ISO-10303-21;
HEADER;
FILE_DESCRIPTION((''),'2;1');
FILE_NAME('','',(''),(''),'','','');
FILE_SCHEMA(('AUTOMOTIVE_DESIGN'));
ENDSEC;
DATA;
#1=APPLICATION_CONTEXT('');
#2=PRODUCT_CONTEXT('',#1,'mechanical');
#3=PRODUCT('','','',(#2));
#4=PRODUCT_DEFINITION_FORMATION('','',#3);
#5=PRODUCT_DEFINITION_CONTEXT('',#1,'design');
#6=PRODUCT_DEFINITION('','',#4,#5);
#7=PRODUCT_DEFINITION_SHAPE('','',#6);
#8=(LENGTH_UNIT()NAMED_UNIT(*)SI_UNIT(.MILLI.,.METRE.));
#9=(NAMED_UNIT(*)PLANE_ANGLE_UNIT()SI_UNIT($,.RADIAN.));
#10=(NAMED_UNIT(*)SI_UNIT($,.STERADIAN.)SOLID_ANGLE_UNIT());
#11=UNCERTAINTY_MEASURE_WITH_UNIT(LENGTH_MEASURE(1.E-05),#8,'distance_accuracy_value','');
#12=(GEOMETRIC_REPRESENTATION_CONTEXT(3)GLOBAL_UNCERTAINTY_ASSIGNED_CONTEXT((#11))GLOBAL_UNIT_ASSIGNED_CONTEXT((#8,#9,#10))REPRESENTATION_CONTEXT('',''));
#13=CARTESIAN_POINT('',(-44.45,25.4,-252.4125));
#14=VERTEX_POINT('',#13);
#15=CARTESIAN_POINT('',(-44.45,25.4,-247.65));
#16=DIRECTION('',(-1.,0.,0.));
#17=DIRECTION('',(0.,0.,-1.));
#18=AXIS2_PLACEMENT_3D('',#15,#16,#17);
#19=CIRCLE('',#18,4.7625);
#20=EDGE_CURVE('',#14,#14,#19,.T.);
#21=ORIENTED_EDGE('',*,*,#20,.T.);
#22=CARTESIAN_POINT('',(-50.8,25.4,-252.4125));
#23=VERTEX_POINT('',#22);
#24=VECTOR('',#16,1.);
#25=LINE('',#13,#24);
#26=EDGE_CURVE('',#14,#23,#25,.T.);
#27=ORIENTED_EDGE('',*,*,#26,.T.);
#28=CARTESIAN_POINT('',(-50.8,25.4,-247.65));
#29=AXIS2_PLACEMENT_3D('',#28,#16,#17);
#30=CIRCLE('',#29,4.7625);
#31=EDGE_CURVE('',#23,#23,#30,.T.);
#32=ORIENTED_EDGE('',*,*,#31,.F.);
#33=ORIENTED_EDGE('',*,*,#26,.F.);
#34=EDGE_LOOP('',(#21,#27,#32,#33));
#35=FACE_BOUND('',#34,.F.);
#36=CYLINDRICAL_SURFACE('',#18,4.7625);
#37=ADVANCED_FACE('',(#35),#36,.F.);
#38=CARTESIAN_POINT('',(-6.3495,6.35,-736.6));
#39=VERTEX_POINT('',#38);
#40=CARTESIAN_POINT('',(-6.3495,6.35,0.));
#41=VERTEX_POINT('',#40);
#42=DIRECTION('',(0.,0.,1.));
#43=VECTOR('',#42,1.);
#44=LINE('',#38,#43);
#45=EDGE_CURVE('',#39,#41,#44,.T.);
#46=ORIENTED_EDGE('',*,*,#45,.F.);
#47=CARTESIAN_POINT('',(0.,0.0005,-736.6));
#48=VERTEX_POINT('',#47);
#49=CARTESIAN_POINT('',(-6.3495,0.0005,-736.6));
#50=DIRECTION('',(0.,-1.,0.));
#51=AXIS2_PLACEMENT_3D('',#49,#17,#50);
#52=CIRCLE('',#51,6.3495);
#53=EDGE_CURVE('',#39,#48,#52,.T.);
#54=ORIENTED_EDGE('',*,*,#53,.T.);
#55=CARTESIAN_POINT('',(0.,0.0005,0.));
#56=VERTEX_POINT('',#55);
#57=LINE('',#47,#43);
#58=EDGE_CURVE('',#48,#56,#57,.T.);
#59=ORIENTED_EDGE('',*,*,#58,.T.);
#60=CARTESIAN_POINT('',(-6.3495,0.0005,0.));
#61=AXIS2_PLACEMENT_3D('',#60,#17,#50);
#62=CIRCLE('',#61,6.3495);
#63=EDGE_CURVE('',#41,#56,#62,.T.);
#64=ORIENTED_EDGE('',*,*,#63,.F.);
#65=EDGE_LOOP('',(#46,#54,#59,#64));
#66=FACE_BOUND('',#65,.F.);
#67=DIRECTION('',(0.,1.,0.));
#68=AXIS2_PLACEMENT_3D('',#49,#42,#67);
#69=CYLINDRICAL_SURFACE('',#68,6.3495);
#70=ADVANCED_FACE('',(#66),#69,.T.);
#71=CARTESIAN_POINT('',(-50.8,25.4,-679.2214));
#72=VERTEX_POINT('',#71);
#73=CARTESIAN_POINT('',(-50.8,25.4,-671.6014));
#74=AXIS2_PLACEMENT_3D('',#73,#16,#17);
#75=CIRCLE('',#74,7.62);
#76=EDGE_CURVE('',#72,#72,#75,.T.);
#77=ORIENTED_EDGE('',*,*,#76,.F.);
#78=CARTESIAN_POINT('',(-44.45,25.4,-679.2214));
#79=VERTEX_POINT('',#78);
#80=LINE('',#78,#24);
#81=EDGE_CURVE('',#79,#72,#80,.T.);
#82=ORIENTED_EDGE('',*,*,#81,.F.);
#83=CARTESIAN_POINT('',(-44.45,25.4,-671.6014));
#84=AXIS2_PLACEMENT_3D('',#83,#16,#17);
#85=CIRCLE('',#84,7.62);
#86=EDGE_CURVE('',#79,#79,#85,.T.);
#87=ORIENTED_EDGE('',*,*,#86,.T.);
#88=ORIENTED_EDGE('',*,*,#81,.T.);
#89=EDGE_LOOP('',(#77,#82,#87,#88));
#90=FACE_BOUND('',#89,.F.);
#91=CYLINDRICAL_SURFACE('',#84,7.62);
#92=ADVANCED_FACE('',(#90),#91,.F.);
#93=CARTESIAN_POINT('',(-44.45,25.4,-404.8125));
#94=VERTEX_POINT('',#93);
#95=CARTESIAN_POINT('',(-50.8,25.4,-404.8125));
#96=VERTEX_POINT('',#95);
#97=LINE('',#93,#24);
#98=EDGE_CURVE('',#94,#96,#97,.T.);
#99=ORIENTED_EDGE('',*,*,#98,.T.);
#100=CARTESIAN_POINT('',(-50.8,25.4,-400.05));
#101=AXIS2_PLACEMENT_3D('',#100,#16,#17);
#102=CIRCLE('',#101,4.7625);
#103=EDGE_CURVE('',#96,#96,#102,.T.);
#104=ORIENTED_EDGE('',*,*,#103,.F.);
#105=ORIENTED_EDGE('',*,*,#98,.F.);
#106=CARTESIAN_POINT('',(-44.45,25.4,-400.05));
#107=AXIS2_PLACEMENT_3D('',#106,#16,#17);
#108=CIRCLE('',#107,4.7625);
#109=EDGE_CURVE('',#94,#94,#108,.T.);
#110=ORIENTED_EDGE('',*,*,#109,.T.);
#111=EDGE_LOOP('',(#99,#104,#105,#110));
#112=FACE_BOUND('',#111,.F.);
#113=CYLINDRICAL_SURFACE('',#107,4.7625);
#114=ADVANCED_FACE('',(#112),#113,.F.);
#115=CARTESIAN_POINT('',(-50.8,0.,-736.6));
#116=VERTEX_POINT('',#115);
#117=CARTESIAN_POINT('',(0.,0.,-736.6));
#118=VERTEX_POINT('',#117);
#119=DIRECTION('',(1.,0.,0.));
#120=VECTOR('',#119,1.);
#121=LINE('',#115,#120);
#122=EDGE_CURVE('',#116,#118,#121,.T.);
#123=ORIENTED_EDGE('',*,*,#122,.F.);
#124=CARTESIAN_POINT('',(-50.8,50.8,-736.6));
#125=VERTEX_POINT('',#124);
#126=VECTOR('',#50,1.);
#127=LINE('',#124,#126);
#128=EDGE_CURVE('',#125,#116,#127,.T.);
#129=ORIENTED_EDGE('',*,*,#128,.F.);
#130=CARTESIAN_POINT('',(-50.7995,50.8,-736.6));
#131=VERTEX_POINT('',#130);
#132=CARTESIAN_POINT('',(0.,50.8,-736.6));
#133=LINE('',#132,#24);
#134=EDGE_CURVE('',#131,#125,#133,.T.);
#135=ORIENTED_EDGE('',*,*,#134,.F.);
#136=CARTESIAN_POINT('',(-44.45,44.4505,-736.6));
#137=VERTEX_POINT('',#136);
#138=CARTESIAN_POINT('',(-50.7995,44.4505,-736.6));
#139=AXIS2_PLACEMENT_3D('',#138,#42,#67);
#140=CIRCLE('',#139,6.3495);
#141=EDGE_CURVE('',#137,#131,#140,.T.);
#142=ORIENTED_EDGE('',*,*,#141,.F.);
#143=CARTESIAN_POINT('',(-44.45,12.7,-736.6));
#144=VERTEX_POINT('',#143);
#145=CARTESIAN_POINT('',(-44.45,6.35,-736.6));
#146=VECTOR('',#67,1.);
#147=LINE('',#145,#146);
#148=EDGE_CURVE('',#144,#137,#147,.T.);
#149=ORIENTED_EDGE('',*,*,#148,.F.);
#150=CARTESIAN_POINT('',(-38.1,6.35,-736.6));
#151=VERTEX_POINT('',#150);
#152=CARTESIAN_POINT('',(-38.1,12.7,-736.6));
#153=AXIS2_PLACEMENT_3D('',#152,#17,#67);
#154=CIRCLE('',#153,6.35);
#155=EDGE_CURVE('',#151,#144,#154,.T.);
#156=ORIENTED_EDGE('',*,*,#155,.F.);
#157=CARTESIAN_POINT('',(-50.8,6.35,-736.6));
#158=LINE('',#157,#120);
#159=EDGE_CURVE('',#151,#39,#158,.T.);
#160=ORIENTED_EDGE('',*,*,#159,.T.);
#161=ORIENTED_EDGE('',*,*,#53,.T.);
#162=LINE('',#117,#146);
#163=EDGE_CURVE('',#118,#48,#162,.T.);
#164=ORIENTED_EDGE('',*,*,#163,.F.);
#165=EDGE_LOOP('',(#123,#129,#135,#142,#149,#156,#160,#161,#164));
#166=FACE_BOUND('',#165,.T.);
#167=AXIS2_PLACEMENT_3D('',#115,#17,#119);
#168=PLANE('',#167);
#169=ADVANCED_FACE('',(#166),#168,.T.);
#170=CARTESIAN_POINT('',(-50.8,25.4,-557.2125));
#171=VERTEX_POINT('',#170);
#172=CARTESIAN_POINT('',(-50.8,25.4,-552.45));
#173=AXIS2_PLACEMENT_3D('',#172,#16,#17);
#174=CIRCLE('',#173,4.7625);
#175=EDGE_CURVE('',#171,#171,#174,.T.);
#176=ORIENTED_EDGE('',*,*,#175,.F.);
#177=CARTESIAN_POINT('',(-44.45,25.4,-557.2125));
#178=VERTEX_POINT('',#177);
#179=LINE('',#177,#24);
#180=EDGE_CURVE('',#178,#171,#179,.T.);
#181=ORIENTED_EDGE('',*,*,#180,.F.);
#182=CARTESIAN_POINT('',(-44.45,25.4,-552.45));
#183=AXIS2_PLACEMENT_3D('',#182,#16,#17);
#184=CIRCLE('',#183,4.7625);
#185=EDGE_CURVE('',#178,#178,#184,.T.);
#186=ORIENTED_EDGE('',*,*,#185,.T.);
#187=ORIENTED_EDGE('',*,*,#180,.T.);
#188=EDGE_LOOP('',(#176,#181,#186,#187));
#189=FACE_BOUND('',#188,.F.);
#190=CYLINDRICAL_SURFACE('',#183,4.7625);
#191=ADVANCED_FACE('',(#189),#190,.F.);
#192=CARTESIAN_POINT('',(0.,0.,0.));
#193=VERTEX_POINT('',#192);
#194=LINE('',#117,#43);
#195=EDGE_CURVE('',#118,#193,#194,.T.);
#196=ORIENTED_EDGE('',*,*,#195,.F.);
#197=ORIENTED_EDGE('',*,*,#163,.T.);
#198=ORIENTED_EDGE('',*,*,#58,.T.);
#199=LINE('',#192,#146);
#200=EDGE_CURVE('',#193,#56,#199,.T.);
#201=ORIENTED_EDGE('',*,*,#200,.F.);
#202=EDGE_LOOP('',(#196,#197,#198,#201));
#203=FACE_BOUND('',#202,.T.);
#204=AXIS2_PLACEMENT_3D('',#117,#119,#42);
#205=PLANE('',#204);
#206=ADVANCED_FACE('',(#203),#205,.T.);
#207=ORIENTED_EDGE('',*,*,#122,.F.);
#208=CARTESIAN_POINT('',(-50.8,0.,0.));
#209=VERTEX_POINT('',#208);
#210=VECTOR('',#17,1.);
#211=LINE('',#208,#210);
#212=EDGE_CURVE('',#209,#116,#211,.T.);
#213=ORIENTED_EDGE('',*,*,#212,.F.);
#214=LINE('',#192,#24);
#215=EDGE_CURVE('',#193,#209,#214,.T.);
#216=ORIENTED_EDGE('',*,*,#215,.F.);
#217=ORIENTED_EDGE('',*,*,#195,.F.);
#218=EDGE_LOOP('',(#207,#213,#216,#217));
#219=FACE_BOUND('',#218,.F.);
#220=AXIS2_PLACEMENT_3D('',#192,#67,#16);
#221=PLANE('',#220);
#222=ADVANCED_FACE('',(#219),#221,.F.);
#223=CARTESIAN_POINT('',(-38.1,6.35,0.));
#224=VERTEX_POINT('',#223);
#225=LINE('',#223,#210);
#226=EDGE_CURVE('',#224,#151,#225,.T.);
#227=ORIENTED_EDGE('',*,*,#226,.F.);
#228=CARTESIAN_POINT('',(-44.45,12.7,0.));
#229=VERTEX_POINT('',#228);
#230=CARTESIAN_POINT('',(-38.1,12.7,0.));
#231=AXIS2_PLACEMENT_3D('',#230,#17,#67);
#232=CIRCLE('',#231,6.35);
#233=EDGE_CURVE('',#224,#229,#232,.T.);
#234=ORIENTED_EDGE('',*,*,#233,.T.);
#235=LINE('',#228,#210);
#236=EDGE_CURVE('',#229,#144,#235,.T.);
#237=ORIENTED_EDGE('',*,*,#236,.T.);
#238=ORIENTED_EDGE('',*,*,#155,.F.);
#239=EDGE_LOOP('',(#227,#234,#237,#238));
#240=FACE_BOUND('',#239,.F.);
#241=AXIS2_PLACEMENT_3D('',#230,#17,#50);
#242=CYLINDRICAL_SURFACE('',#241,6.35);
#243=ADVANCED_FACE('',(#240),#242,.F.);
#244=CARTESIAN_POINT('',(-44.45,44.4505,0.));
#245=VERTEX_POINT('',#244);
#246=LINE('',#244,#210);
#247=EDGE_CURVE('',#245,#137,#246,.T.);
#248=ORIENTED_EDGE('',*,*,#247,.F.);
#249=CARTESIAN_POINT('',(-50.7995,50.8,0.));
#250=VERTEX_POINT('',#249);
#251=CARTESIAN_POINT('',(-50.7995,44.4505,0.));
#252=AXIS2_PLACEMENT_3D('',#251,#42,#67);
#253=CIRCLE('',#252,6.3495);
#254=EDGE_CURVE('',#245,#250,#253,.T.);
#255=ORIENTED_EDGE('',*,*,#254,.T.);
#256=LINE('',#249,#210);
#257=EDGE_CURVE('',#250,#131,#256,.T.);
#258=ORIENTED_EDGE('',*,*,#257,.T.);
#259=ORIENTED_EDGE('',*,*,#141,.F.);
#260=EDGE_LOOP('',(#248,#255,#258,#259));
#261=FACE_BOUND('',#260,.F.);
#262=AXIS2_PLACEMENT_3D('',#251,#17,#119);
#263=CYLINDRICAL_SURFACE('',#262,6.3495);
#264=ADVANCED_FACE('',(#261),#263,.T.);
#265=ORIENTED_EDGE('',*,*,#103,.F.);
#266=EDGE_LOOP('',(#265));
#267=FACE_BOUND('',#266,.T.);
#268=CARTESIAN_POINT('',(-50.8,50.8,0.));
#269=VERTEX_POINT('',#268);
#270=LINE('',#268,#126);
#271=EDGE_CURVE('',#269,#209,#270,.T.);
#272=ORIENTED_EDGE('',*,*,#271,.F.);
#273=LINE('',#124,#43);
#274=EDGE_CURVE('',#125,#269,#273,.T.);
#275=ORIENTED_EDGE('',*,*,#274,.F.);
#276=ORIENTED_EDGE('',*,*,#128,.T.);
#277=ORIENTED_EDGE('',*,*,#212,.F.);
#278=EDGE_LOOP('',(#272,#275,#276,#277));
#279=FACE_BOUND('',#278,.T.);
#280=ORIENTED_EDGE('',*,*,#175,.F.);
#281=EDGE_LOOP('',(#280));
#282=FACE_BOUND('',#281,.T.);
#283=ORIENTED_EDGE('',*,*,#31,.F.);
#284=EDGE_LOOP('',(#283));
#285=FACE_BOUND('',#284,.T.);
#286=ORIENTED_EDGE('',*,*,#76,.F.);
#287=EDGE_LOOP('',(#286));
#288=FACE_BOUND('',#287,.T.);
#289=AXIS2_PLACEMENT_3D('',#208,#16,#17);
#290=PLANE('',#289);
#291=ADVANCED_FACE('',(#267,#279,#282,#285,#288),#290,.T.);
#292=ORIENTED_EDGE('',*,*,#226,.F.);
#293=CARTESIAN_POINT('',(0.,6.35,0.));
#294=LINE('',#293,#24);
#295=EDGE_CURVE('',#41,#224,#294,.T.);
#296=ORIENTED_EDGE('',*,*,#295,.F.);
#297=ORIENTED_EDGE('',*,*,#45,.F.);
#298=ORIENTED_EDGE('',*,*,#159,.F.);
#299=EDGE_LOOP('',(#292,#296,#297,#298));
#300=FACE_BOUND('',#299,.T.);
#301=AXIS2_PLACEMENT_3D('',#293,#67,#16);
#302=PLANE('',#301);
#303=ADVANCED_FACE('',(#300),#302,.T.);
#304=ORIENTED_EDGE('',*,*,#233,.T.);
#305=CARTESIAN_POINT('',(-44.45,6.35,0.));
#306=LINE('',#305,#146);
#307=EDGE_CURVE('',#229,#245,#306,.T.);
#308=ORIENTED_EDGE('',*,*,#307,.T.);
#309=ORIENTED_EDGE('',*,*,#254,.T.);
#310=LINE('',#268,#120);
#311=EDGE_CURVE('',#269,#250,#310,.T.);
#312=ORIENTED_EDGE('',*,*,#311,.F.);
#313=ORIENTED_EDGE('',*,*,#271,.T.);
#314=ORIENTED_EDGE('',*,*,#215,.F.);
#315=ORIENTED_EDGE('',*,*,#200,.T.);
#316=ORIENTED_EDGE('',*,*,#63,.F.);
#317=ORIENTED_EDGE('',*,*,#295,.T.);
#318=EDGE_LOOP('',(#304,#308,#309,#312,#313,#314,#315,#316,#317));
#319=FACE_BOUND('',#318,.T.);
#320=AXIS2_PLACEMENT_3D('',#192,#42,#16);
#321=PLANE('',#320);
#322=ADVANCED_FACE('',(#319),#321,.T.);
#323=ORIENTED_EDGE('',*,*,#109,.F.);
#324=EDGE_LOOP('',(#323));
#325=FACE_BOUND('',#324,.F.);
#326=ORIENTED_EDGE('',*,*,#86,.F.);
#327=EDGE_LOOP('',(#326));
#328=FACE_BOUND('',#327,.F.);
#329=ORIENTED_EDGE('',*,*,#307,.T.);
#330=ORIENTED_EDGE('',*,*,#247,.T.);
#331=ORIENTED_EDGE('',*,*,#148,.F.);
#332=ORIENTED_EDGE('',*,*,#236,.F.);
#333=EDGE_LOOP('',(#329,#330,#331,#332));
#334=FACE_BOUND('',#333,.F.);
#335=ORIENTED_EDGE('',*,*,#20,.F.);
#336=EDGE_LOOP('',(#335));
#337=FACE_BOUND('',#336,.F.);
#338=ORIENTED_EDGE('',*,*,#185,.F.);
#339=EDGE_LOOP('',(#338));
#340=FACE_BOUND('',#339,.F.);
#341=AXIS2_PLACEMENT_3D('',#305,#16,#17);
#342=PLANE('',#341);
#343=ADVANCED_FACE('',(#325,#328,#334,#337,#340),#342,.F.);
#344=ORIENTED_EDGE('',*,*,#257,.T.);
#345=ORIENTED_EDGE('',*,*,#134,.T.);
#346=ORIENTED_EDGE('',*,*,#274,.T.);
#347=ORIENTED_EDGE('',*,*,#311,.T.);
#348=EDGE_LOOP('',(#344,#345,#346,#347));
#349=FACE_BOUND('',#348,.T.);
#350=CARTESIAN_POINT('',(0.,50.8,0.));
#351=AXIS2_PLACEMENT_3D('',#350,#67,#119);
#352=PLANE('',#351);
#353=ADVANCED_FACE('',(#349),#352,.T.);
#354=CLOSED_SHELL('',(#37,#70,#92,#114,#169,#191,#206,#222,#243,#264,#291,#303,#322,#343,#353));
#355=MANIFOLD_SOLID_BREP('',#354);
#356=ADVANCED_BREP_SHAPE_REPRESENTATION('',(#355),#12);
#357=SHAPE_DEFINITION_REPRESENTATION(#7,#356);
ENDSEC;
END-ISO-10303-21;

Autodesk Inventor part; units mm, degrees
ref_plane "YZ Plane" through (0, 0, 0) normal (1, 0, 0) x (0, 1, 0)
ref_plane "XZ Plane" through (0, 0, 0) normal (0, 1, 0) x (-1, 0, 0)
ref_plane "XY Plane" through (0, 0, 0) normal (0, 0, 1) x (1, 0, 0)
sketch "Sketch1" plane through (0, 0, 0) normal (0, 1, 0) x (-1, 0, 0)
  line L0 (0, 0) -> (50.8, 0)
  line L1 (50.8, 0) -> (50.8, -736.6)
  line L2 (50.8, -736.6) -> (0, -736.6)
  line L3 (0, -736.6) -> (0, 0)
  dimension "d0" = 50.8
  dimension "d1" = 736.6
extrude "Extrusion1" add sketch "Sketch1" along normal blind 6.35
sketch "Sketch2" plane through (0, 6.35, 0) normal (0, 1, 0) x (1, 0, 0)
  line L0 (-50.8, 0) -> (-44.45, 0)
  line L1 (-50.8, 0) -> (0, 0) projected
  line L2 (-44.45, 0) -> (-44.45, 736.6)
  line L3 (0, 736.6) -> (-50.8, 736.6) projected
  line L4 (-44.45, 736.6) -> (-50.8, 736.6)
  line L5 (-50.8, 736.6) -> (-50.8, 0)
  line L6 (-50.8, 0) -> (-44.45, 0)
  dimension "d4" = 6.35
  dimension "d5" = 736.6
  dimension "d6" = 736.6
extrude "Extrusion2" add sketch "Sketch2" along normal blind 44.45
fillet "Fillet1" radius 6.35 1 edges at (-44.45, 6.35, -368.3)
fillet "Fillet2" radius 6.35 1 edges at (0, 6.35, -368.3)
fillet "Fillet3" radius 6.35 1 edges at (-44.45, 50.8, -368.3)
hole "Hole1" at (-44.45, 25.4, -247.65) direction (-1, 0, 0) diameter 9.525 end through all
pattern_linear "Rectangular Pattern1" count 3 spacing 152.4 along (0, 0, -1) of "Hole1"
hole "Hole2" at (-44.45, 25.4, -671.6014) direction (-1, 0, 0) diameter 15.24 end through all
properties part number "2x2 quarter in angle aluminum"
